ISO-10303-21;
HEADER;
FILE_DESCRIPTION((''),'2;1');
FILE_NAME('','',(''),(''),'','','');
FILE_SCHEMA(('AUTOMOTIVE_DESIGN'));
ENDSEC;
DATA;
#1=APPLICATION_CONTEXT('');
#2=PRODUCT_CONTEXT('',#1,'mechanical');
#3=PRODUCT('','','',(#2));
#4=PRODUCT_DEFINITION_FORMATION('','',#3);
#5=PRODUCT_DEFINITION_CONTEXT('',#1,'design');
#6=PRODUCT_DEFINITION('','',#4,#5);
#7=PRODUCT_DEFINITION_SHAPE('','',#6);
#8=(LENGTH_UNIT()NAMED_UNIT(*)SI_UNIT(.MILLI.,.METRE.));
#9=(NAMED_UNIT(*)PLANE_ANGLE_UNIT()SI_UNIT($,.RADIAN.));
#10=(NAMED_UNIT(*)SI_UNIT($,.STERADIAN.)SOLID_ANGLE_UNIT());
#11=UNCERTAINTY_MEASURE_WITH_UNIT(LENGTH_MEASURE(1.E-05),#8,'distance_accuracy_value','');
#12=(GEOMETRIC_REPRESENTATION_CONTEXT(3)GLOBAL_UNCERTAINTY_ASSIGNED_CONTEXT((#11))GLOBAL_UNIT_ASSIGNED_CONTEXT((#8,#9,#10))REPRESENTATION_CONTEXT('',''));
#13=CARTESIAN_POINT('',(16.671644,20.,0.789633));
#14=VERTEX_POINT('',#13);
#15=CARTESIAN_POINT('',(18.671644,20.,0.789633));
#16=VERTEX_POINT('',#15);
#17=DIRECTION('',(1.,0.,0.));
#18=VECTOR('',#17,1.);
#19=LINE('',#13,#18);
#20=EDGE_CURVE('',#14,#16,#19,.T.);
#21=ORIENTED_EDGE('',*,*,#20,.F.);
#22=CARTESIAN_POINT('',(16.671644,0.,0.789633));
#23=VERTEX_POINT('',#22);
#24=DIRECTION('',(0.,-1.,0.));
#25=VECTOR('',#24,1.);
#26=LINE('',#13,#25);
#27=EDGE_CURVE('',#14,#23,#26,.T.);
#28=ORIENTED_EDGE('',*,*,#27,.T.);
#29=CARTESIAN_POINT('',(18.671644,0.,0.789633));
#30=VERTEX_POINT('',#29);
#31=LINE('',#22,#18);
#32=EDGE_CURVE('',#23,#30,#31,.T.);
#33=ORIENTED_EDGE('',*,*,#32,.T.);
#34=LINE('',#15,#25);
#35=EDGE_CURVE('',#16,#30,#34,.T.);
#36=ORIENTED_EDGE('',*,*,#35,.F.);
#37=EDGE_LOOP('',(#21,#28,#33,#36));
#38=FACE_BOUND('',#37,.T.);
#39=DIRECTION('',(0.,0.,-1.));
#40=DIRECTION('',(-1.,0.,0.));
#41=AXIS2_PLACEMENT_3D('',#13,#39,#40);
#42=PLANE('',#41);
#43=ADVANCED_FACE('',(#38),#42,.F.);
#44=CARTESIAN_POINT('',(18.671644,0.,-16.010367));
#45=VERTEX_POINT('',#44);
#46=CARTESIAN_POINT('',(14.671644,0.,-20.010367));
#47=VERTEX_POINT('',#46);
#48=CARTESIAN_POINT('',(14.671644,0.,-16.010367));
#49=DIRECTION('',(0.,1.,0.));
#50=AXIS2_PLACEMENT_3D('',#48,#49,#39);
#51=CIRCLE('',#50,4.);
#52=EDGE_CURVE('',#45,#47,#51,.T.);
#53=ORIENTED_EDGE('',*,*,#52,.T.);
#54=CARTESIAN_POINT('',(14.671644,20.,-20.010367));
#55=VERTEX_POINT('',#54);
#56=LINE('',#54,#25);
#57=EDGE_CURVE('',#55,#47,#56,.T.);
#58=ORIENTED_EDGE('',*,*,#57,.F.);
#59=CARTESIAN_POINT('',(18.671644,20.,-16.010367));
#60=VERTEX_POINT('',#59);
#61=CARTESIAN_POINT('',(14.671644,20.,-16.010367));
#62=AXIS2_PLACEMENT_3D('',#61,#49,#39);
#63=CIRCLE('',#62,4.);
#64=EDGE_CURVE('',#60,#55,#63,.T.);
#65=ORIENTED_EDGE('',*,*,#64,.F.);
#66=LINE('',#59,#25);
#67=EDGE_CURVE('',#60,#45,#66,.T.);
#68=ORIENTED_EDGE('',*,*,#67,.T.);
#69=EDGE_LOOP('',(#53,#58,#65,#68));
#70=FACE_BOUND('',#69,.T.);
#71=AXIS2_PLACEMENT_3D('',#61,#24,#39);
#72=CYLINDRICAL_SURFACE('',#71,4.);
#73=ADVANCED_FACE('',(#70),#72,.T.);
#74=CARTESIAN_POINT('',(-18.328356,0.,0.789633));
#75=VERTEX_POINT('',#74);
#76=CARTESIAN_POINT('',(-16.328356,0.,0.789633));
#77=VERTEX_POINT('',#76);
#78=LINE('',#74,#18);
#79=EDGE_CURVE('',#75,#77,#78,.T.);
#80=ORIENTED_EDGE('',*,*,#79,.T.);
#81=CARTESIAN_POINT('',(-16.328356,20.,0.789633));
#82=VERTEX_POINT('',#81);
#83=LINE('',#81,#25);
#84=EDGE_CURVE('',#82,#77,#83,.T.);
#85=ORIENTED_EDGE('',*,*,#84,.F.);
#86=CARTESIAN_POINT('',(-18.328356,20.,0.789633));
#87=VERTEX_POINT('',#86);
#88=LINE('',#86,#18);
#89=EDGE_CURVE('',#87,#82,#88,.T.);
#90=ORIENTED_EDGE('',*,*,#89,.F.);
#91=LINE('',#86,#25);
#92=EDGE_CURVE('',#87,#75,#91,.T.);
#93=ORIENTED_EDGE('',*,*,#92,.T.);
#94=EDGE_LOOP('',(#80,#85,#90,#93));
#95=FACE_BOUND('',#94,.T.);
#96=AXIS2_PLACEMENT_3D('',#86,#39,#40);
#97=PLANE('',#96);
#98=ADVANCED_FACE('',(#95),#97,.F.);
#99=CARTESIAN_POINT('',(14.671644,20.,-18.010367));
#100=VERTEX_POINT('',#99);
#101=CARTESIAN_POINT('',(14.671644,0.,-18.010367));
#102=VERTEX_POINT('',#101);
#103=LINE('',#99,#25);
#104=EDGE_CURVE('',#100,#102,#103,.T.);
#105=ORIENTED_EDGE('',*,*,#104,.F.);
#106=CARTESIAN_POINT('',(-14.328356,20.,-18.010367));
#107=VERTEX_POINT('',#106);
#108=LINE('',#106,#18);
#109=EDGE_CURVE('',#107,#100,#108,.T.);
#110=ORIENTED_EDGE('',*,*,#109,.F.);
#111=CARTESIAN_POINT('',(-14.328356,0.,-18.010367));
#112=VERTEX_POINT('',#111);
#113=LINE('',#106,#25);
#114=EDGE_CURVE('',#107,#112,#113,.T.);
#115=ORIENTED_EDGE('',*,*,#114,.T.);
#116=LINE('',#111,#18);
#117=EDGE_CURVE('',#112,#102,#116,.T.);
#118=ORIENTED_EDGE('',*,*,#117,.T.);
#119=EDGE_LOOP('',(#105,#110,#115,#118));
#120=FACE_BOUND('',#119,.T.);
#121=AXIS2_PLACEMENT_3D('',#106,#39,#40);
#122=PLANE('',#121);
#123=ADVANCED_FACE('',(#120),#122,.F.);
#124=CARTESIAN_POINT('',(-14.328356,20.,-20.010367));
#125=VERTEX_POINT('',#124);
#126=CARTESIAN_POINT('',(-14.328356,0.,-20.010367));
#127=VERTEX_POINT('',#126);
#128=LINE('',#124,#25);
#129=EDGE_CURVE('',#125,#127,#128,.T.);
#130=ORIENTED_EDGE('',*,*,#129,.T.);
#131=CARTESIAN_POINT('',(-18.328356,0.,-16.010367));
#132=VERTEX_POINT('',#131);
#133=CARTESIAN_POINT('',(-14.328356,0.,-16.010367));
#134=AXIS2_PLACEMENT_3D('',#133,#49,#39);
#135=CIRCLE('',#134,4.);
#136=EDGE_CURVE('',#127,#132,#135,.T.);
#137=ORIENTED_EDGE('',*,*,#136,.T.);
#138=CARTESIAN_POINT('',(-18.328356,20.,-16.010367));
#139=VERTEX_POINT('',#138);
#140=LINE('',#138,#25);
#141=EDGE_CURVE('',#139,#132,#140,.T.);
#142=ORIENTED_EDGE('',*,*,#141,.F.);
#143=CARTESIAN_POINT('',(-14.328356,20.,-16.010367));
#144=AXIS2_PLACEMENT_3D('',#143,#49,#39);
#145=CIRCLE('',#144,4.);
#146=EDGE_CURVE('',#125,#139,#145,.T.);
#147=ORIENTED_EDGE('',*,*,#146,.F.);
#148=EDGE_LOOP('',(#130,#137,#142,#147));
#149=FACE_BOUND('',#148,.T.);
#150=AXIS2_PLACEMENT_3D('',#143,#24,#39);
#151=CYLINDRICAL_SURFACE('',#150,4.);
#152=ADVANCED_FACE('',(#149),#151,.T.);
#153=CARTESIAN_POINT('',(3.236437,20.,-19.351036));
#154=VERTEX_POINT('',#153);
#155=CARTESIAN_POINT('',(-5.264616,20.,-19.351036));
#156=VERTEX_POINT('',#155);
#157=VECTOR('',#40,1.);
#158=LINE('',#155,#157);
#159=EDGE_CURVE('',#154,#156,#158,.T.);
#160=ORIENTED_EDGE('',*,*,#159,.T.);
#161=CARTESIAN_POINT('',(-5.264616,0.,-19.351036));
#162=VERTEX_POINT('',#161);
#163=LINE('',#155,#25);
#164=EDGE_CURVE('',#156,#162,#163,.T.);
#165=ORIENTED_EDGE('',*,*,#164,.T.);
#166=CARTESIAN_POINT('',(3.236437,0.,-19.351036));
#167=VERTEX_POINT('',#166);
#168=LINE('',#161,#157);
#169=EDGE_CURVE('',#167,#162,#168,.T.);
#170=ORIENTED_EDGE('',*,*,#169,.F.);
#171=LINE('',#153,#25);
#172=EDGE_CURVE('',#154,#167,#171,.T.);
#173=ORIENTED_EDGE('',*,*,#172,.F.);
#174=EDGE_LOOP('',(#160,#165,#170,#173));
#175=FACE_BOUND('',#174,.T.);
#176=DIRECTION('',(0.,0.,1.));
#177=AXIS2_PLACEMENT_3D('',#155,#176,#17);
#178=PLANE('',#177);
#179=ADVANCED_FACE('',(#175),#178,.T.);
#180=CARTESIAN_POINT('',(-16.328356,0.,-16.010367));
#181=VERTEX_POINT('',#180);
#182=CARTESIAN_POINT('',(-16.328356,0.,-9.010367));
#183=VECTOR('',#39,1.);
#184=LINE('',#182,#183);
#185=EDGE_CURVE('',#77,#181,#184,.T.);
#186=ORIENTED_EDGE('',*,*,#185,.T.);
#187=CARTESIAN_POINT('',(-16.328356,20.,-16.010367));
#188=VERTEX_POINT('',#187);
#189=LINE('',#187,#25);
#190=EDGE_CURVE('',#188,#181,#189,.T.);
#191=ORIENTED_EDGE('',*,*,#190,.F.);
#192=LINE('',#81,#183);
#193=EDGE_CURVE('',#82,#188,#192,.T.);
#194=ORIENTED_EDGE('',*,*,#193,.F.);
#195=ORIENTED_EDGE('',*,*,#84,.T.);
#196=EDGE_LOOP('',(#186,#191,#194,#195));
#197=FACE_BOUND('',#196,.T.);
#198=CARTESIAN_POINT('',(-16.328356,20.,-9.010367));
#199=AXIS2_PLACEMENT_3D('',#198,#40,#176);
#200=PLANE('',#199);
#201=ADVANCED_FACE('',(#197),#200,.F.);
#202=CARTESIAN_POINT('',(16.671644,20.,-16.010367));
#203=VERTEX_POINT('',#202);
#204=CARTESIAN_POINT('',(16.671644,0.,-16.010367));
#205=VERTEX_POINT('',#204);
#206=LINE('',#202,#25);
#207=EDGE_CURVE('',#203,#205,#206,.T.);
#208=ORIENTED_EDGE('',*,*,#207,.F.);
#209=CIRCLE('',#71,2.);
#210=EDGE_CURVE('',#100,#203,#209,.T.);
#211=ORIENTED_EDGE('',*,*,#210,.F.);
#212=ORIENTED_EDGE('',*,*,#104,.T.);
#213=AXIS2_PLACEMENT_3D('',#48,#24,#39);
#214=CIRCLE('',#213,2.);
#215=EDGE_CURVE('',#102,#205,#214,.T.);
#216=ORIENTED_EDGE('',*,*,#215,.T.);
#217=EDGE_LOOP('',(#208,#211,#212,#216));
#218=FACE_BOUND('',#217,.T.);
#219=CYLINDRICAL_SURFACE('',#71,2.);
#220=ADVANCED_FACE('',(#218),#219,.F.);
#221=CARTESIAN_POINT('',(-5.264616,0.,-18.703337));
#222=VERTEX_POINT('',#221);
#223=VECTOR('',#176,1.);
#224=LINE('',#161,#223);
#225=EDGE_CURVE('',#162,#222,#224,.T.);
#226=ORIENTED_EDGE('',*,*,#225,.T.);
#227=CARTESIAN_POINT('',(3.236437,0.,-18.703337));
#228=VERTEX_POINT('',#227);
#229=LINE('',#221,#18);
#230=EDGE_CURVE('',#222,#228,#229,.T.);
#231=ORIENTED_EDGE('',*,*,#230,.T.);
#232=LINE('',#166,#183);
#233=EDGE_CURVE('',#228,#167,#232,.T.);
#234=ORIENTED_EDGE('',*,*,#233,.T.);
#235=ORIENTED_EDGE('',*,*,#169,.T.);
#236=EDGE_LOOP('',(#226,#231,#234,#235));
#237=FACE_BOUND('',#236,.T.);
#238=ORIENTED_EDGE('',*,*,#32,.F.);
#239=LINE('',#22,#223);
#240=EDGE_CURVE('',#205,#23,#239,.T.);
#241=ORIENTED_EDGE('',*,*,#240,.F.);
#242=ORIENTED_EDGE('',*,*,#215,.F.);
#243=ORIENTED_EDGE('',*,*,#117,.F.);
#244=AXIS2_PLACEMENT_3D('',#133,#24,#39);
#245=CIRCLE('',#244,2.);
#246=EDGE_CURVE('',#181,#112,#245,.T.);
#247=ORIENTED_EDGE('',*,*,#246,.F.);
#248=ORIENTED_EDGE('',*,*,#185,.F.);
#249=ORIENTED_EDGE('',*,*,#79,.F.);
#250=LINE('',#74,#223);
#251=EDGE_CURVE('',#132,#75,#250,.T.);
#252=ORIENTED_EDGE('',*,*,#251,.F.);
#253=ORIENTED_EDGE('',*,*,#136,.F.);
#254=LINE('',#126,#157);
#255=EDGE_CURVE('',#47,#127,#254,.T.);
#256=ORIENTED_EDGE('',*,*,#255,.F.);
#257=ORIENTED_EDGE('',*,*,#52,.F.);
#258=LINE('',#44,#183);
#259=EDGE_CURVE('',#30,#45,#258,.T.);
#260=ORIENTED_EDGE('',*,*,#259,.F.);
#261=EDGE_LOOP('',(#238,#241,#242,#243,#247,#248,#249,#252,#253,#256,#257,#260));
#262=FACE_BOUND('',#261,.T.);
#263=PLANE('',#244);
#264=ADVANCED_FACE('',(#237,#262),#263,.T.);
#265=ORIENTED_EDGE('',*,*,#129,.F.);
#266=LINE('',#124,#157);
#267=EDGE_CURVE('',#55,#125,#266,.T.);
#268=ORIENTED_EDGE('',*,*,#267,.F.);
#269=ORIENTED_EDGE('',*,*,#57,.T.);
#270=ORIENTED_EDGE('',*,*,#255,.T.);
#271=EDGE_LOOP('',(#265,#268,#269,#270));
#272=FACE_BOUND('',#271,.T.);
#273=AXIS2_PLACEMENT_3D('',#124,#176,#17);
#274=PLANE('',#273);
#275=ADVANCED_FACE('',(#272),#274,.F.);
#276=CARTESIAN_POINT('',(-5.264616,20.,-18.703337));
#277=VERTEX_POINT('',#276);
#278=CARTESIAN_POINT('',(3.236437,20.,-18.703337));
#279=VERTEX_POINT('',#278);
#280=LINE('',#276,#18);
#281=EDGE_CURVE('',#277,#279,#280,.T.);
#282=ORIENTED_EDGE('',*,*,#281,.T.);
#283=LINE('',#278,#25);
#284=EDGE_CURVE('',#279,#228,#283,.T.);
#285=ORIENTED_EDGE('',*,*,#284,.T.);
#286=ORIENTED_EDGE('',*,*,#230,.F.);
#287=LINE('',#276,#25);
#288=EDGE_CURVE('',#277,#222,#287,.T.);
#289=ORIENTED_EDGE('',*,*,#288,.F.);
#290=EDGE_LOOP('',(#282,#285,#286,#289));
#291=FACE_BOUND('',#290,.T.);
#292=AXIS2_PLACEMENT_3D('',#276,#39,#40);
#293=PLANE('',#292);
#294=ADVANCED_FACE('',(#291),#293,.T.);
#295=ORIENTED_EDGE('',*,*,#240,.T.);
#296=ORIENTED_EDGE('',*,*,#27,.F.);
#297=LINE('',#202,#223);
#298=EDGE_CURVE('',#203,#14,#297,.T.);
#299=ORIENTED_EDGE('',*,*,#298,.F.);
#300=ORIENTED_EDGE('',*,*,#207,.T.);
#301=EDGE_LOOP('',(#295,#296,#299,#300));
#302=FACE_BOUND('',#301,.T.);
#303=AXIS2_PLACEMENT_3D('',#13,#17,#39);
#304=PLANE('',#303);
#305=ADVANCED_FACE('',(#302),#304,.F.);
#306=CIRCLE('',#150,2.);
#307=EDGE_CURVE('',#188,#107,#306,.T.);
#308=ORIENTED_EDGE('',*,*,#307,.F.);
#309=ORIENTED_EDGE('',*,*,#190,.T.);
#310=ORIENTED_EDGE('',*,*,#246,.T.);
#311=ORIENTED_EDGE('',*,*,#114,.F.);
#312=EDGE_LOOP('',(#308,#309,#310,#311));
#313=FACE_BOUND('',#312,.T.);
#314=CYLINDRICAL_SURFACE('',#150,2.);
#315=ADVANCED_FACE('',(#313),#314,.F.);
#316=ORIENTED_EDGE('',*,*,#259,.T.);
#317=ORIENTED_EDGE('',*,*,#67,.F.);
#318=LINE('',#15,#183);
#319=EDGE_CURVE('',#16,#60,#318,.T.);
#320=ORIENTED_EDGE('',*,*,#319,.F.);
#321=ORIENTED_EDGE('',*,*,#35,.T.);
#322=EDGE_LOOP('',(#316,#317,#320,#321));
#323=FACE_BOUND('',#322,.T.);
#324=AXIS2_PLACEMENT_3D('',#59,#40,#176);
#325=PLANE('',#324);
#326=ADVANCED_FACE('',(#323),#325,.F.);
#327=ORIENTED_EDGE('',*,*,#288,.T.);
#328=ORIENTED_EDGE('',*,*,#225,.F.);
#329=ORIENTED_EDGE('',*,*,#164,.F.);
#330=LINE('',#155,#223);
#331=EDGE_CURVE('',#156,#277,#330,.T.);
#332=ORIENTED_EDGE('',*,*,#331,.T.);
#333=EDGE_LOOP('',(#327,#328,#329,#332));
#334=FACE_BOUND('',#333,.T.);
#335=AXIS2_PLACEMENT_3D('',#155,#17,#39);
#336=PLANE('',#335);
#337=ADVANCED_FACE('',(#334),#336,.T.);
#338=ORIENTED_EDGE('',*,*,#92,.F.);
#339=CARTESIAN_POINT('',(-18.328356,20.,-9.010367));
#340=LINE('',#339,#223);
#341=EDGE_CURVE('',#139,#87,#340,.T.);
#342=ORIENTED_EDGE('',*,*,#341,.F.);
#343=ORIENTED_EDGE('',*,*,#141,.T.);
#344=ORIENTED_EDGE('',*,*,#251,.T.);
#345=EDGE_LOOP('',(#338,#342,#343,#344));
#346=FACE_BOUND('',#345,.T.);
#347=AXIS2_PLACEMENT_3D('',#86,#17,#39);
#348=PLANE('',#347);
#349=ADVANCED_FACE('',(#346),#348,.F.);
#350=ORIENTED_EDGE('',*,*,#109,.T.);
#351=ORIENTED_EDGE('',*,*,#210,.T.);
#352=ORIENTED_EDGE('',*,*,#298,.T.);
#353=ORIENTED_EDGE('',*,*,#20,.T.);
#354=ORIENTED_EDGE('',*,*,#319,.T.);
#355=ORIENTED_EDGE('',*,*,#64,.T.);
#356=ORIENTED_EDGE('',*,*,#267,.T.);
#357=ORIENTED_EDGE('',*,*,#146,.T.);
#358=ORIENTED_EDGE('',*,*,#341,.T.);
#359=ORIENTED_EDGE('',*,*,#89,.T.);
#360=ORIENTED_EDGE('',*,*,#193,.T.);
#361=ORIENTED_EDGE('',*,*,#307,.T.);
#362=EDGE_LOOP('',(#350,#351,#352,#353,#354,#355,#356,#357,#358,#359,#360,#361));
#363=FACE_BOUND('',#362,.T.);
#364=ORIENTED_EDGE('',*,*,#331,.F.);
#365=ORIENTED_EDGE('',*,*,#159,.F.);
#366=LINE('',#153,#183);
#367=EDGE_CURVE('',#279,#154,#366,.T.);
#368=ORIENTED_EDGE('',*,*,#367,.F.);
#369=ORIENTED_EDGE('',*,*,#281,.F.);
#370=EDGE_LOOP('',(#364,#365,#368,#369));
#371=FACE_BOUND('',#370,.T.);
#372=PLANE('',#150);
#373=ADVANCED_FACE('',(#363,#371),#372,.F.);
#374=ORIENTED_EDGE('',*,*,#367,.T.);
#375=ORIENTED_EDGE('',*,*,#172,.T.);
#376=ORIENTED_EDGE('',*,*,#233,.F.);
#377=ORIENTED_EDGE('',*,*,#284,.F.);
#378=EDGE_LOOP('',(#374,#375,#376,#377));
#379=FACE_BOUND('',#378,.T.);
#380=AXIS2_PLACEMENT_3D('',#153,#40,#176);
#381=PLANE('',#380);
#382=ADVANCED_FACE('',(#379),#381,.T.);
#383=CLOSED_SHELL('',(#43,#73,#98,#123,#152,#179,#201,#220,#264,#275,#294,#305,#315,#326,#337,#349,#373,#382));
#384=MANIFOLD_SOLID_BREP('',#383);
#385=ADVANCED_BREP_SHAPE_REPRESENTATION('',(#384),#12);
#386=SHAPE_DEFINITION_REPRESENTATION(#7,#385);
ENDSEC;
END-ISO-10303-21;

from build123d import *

# Parameters (mm, degrees)
SKETCH1_W           = 8.501053498
SKETCH1_H           = 0.647699314
BOSS_EXTRUDE2_DEPTH = 20


with BuildPart() as part:
    # Sketch1 → Boss-Extrude2 (new body)
    with BuildSketch(Plane(origin=(0, 0, 0), x_dir=(1, 0, 0), z_dir=(0, 1, 0))):
        with BuildLine():
            Line((-16.328355949, -0.789632586), (-16.328355949, 9.010367414))
            Line((-16.328355949, 9.010367414), (-16.328355949, 16.010367414))
            ThreePointArc((-16.328355949, 16.010367414), (-15.742569512, 17.424580976), (-14.328355949, 18.010367414))
            Line((-14.328355949, 18.010367414), (14.671644051, 18.010367414))
            ThreePointArc((14.671644051, 18.010367414), (16.085857613, 17.424580976), (16.671644051, 16.010367414))
            Line((16.671644051, 16.010367414), (16.671644051, 9.010367414))
            Line((16.671644051, 9.010367414), (16.671644051, -0.789632586))
            Line((16.671644051, -0.789632586), (18.671644051, -0.789632586))
            Line((18.671644051, -0.789632586), (18.671644051, 9.010367414))
            Line((18.671644051, 9.010367414), (18.671644051, 16.010367414))
            ThreePointArc((18.671644051, 16.010367414), (17.500071175, 18.838794538), (14.671644051, 20.010367414))
            Line((14.671644051, 20.010367414), (-14.328355949, 20.010367414))
            ThreePointArc((-14.328355949, 20.010367414), (-17.156783074, 18.838794538), (-18.328355949, 16.010367414))
            Line((-18.328355949, 16.010367414), (-18.328355949, 9.010367414))
            Line((-18.328355949, 9.010367414), (-18.328355949, -0.789632586))
            Line((-18.328355949, -0.789632586), (-16.328355949, -0.789632586))
        make_face()
        with Locations((-1.014089745, 19.027186225)):
            Rectangle(SKETCH1_W, SKETCH1_H, mode=Mode.SUBTRACT)
    extrude(amount=BOSS_EXTRUDE2_DEPTH)


solid = part.part
